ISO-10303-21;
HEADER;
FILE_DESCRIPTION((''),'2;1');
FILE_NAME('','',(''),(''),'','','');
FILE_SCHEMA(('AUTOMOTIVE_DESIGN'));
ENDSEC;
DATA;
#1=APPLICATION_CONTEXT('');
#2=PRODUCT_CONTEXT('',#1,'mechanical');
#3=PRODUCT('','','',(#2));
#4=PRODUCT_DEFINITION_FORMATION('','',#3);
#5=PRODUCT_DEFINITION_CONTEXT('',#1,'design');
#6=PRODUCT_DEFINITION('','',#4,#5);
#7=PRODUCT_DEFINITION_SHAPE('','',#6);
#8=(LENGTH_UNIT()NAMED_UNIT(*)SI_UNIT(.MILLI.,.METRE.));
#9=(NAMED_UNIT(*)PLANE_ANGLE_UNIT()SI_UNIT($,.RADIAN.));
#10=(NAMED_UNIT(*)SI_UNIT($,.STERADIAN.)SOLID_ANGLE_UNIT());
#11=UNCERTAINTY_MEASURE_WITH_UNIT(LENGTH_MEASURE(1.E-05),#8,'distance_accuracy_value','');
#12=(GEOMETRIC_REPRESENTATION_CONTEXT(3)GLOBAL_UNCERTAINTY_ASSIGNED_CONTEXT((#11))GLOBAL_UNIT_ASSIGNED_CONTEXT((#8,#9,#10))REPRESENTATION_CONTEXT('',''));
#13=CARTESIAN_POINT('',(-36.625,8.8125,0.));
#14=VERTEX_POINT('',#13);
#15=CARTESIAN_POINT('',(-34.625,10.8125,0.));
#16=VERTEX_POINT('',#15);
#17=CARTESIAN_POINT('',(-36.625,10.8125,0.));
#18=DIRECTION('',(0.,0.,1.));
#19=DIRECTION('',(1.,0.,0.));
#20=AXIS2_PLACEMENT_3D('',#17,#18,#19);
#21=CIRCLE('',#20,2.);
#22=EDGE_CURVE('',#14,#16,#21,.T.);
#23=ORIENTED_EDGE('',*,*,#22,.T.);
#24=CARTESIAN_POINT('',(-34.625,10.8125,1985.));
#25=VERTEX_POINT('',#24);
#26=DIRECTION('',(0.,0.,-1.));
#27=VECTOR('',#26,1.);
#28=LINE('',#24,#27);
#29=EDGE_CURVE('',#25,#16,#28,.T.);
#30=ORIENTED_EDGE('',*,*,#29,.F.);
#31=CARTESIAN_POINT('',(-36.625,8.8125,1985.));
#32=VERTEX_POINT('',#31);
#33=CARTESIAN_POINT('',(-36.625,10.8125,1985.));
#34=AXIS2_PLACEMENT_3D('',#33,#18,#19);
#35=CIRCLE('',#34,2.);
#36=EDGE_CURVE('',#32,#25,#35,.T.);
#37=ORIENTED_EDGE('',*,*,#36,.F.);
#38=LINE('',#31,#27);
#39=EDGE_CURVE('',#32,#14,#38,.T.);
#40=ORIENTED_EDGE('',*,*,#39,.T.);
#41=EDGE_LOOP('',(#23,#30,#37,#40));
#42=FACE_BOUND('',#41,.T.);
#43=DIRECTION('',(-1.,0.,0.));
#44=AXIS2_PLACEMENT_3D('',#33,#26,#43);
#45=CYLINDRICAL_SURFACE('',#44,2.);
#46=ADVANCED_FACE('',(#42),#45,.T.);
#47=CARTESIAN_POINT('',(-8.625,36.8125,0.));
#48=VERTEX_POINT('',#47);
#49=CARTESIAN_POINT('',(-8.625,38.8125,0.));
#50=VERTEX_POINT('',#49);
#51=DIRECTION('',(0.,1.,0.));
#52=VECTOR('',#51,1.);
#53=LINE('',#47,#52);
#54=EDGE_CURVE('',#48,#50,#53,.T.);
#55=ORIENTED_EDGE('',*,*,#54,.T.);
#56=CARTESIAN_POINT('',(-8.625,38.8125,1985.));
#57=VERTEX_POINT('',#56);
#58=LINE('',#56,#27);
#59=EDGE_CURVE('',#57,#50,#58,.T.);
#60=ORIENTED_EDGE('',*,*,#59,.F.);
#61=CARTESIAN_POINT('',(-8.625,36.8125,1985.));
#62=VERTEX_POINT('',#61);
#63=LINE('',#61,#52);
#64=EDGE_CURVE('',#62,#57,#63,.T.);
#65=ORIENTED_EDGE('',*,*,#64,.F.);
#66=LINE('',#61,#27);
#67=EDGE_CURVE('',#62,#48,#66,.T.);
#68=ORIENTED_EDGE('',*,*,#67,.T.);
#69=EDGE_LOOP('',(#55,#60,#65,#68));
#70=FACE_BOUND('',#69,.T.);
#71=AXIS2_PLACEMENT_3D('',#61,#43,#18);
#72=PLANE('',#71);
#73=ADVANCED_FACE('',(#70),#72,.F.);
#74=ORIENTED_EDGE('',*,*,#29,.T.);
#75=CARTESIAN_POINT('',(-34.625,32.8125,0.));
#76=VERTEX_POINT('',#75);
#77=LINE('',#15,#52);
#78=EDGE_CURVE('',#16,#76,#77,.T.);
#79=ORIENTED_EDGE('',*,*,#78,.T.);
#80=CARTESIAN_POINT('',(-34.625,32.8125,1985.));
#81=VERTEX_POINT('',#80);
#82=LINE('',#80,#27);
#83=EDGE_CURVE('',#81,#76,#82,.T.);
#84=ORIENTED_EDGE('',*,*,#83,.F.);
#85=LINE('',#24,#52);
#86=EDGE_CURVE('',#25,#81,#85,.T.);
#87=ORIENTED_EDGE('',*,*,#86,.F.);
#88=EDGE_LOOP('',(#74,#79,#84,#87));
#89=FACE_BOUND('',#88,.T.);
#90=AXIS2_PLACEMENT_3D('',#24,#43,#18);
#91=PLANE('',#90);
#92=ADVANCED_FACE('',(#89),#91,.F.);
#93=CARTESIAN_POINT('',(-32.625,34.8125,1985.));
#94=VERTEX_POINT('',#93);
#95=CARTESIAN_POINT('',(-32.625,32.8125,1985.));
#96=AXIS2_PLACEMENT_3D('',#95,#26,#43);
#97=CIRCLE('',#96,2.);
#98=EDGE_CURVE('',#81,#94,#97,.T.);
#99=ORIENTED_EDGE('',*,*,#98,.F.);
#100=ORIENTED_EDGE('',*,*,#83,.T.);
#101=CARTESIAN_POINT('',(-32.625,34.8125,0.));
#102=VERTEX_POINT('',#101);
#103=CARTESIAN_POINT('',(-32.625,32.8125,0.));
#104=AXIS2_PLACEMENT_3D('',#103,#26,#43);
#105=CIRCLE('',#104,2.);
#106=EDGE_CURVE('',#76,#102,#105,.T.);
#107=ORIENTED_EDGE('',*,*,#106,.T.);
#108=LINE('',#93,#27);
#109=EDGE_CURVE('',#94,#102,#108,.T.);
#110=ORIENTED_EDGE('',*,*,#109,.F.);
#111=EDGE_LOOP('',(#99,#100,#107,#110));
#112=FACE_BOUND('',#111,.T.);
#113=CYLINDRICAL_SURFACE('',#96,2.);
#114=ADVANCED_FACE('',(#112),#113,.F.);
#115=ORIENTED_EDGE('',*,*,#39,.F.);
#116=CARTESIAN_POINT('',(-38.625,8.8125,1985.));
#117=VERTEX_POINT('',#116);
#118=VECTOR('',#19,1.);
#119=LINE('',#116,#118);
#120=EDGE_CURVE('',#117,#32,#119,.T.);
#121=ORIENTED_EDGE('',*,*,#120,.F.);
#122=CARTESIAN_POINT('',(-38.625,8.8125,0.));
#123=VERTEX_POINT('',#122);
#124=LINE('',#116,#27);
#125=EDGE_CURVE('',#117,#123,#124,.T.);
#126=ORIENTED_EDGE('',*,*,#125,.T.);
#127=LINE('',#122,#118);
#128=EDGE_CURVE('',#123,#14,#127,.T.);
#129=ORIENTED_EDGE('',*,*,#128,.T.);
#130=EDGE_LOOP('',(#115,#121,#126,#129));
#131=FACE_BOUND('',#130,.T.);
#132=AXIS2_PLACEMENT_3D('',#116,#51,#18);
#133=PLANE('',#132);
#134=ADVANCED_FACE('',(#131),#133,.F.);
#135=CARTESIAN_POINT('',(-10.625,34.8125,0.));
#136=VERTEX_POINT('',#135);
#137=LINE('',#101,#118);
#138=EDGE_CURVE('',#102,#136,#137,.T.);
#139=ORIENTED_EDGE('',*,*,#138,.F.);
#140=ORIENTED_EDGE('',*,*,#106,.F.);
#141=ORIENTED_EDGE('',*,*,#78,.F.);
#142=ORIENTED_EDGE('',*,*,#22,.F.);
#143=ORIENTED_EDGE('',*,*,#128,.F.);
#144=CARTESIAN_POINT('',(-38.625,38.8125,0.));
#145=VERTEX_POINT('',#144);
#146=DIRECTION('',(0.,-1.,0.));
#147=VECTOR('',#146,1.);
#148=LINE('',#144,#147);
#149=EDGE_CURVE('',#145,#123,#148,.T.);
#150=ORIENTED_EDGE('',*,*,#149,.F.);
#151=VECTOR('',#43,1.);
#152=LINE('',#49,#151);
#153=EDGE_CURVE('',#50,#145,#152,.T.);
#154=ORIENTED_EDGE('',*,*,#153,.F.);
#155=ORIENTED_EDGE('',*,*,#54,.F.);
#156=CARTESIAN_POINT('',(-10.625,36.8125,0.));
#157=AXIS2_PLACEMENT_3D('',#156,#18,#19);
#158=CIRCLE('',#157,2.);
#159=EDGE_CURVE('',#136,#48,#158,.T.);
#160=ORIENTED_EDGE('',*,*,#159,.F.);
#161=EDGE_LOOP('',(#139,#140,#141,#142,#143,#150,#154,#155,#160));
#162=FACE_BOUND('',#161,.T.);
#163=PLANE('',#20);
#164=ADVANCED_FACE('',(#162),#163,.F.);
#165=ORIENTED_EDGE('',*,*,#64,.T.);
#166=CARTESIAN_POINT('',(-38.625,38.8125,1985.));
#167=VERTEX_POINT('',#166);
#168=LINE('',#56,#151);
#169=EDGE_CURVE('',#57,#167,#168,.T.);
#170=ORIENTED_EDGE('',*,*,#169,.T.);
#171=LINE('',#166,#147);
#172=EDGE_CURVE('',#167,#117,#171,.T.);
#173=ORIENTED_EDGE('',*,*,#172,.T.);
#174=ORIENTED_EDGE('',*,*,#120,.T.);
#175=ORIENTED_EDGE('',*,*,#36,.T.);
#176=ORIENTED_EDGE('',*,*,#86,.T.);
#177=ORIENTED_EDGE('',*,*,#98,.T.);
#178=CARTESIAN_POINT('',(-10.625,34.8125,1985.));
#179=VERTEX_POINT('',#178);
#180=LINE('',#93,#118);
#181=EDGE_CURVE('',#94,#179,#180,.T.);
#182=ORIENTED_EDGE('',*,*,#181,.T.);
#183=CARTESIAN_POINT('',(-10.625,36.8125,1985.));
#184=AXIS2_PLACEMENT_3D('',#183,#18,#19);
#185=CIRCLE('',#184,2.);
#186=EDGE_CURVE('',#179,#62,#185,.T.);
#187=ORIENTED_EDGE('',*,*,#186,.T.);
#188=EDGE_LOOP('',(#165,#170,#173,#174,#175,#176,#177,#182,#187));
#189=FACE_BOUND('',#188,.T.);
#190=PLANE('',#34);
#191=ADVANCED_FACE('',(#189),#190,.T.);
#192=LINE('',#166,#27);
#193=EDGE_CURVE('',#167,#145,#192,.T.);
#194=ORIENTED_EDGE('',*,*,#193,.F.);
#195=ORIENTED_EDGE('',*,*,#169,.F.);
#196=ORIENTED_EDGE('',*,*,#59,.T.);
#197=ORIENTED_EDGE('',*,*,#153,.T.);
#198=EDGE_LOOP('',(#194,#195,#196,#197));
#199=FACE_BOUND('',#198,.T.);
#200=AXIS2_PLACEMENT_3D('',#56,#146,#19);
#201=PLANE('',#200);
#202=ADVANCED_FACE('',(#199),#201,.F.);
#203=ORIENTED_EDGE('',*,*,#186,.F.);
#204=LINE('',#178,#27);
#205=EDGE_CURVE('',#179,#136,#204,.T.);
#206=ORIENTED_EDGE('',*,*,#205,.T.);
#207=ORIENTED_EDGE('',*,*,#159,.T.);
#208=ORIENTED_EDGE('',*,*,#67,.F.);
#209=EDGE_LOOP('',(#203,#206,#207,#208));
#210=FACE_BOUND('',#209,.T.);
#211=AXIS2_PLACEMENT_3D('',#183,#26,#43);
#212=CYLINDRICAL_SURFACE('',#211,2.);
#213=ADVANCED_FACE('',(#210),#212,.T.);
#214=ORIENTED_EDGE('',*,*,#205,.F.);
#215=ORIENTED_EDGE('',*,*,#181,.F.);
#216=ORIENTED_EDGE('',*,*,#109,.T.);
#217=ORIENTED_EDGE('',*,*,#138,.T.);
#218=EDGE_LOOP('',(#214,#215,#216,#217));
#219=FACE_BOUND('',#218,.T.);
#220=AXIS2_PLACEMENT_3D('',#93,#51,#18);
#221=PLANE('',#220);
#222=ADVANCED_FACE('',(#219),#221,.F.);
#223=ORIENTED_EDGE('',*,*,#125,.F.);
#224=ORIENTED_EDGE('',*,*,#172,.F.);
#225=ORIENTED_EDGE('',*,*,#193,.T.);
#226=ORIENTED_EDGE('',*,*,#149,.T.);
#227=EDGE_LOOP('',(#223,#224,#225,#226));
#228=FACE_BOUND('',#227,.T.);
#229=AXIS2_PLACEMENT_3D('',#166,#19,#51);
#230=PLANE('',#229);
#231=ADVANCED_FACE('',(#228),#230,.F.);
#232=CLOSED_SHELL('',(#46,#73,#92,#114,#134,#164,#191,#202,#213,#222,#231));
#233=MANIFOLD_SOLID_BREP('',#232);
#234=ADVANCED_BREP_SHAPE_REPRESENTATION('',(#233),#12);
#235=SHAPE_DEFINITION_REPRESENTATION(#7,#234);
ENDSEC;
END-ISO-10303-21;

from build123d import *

# Parameters (mm, degrees)
BOSS_EXTRUDE1_DEPTH = 1985


with BuildPart() as part:
    # Sketch1 → Boss-Extrude1 (new body)
    with BuildSketch(Plane.XY):
        with BuildLine():
            Line((-8.625, 38.8125), (-38.625, 38.8125))
            Line((-38.625, 38.8125), (-38.625, 8.8125))
            Line((-38.625, 8.8125), (-36.625, 8.8125))
            ThreePointArc((-36.625, 8.8125), (-35.210786438, 9.398286438), (-34.625, 10.8125))
            Line((-34.625, 10.8125), (-34.625, 32.8125))
            ThreePointArc((-34.625, 32.8125), (-34.039213562, 34.226713562), (-32.625, 34.8125))
            Line((-32.625, 34.8125), (-10.625, 34.8125))
            ThreePointArc((-10.625, 34.8125), (-9.210786438, 35.398286438), (-8.625, 36.8125))
            Line((-8.625, 36.8125), (-8.625, 38.8125))
        make_face()
    extrude(amount=BOSS_EXTRUDE1_DEPTH)


solid = part.part
